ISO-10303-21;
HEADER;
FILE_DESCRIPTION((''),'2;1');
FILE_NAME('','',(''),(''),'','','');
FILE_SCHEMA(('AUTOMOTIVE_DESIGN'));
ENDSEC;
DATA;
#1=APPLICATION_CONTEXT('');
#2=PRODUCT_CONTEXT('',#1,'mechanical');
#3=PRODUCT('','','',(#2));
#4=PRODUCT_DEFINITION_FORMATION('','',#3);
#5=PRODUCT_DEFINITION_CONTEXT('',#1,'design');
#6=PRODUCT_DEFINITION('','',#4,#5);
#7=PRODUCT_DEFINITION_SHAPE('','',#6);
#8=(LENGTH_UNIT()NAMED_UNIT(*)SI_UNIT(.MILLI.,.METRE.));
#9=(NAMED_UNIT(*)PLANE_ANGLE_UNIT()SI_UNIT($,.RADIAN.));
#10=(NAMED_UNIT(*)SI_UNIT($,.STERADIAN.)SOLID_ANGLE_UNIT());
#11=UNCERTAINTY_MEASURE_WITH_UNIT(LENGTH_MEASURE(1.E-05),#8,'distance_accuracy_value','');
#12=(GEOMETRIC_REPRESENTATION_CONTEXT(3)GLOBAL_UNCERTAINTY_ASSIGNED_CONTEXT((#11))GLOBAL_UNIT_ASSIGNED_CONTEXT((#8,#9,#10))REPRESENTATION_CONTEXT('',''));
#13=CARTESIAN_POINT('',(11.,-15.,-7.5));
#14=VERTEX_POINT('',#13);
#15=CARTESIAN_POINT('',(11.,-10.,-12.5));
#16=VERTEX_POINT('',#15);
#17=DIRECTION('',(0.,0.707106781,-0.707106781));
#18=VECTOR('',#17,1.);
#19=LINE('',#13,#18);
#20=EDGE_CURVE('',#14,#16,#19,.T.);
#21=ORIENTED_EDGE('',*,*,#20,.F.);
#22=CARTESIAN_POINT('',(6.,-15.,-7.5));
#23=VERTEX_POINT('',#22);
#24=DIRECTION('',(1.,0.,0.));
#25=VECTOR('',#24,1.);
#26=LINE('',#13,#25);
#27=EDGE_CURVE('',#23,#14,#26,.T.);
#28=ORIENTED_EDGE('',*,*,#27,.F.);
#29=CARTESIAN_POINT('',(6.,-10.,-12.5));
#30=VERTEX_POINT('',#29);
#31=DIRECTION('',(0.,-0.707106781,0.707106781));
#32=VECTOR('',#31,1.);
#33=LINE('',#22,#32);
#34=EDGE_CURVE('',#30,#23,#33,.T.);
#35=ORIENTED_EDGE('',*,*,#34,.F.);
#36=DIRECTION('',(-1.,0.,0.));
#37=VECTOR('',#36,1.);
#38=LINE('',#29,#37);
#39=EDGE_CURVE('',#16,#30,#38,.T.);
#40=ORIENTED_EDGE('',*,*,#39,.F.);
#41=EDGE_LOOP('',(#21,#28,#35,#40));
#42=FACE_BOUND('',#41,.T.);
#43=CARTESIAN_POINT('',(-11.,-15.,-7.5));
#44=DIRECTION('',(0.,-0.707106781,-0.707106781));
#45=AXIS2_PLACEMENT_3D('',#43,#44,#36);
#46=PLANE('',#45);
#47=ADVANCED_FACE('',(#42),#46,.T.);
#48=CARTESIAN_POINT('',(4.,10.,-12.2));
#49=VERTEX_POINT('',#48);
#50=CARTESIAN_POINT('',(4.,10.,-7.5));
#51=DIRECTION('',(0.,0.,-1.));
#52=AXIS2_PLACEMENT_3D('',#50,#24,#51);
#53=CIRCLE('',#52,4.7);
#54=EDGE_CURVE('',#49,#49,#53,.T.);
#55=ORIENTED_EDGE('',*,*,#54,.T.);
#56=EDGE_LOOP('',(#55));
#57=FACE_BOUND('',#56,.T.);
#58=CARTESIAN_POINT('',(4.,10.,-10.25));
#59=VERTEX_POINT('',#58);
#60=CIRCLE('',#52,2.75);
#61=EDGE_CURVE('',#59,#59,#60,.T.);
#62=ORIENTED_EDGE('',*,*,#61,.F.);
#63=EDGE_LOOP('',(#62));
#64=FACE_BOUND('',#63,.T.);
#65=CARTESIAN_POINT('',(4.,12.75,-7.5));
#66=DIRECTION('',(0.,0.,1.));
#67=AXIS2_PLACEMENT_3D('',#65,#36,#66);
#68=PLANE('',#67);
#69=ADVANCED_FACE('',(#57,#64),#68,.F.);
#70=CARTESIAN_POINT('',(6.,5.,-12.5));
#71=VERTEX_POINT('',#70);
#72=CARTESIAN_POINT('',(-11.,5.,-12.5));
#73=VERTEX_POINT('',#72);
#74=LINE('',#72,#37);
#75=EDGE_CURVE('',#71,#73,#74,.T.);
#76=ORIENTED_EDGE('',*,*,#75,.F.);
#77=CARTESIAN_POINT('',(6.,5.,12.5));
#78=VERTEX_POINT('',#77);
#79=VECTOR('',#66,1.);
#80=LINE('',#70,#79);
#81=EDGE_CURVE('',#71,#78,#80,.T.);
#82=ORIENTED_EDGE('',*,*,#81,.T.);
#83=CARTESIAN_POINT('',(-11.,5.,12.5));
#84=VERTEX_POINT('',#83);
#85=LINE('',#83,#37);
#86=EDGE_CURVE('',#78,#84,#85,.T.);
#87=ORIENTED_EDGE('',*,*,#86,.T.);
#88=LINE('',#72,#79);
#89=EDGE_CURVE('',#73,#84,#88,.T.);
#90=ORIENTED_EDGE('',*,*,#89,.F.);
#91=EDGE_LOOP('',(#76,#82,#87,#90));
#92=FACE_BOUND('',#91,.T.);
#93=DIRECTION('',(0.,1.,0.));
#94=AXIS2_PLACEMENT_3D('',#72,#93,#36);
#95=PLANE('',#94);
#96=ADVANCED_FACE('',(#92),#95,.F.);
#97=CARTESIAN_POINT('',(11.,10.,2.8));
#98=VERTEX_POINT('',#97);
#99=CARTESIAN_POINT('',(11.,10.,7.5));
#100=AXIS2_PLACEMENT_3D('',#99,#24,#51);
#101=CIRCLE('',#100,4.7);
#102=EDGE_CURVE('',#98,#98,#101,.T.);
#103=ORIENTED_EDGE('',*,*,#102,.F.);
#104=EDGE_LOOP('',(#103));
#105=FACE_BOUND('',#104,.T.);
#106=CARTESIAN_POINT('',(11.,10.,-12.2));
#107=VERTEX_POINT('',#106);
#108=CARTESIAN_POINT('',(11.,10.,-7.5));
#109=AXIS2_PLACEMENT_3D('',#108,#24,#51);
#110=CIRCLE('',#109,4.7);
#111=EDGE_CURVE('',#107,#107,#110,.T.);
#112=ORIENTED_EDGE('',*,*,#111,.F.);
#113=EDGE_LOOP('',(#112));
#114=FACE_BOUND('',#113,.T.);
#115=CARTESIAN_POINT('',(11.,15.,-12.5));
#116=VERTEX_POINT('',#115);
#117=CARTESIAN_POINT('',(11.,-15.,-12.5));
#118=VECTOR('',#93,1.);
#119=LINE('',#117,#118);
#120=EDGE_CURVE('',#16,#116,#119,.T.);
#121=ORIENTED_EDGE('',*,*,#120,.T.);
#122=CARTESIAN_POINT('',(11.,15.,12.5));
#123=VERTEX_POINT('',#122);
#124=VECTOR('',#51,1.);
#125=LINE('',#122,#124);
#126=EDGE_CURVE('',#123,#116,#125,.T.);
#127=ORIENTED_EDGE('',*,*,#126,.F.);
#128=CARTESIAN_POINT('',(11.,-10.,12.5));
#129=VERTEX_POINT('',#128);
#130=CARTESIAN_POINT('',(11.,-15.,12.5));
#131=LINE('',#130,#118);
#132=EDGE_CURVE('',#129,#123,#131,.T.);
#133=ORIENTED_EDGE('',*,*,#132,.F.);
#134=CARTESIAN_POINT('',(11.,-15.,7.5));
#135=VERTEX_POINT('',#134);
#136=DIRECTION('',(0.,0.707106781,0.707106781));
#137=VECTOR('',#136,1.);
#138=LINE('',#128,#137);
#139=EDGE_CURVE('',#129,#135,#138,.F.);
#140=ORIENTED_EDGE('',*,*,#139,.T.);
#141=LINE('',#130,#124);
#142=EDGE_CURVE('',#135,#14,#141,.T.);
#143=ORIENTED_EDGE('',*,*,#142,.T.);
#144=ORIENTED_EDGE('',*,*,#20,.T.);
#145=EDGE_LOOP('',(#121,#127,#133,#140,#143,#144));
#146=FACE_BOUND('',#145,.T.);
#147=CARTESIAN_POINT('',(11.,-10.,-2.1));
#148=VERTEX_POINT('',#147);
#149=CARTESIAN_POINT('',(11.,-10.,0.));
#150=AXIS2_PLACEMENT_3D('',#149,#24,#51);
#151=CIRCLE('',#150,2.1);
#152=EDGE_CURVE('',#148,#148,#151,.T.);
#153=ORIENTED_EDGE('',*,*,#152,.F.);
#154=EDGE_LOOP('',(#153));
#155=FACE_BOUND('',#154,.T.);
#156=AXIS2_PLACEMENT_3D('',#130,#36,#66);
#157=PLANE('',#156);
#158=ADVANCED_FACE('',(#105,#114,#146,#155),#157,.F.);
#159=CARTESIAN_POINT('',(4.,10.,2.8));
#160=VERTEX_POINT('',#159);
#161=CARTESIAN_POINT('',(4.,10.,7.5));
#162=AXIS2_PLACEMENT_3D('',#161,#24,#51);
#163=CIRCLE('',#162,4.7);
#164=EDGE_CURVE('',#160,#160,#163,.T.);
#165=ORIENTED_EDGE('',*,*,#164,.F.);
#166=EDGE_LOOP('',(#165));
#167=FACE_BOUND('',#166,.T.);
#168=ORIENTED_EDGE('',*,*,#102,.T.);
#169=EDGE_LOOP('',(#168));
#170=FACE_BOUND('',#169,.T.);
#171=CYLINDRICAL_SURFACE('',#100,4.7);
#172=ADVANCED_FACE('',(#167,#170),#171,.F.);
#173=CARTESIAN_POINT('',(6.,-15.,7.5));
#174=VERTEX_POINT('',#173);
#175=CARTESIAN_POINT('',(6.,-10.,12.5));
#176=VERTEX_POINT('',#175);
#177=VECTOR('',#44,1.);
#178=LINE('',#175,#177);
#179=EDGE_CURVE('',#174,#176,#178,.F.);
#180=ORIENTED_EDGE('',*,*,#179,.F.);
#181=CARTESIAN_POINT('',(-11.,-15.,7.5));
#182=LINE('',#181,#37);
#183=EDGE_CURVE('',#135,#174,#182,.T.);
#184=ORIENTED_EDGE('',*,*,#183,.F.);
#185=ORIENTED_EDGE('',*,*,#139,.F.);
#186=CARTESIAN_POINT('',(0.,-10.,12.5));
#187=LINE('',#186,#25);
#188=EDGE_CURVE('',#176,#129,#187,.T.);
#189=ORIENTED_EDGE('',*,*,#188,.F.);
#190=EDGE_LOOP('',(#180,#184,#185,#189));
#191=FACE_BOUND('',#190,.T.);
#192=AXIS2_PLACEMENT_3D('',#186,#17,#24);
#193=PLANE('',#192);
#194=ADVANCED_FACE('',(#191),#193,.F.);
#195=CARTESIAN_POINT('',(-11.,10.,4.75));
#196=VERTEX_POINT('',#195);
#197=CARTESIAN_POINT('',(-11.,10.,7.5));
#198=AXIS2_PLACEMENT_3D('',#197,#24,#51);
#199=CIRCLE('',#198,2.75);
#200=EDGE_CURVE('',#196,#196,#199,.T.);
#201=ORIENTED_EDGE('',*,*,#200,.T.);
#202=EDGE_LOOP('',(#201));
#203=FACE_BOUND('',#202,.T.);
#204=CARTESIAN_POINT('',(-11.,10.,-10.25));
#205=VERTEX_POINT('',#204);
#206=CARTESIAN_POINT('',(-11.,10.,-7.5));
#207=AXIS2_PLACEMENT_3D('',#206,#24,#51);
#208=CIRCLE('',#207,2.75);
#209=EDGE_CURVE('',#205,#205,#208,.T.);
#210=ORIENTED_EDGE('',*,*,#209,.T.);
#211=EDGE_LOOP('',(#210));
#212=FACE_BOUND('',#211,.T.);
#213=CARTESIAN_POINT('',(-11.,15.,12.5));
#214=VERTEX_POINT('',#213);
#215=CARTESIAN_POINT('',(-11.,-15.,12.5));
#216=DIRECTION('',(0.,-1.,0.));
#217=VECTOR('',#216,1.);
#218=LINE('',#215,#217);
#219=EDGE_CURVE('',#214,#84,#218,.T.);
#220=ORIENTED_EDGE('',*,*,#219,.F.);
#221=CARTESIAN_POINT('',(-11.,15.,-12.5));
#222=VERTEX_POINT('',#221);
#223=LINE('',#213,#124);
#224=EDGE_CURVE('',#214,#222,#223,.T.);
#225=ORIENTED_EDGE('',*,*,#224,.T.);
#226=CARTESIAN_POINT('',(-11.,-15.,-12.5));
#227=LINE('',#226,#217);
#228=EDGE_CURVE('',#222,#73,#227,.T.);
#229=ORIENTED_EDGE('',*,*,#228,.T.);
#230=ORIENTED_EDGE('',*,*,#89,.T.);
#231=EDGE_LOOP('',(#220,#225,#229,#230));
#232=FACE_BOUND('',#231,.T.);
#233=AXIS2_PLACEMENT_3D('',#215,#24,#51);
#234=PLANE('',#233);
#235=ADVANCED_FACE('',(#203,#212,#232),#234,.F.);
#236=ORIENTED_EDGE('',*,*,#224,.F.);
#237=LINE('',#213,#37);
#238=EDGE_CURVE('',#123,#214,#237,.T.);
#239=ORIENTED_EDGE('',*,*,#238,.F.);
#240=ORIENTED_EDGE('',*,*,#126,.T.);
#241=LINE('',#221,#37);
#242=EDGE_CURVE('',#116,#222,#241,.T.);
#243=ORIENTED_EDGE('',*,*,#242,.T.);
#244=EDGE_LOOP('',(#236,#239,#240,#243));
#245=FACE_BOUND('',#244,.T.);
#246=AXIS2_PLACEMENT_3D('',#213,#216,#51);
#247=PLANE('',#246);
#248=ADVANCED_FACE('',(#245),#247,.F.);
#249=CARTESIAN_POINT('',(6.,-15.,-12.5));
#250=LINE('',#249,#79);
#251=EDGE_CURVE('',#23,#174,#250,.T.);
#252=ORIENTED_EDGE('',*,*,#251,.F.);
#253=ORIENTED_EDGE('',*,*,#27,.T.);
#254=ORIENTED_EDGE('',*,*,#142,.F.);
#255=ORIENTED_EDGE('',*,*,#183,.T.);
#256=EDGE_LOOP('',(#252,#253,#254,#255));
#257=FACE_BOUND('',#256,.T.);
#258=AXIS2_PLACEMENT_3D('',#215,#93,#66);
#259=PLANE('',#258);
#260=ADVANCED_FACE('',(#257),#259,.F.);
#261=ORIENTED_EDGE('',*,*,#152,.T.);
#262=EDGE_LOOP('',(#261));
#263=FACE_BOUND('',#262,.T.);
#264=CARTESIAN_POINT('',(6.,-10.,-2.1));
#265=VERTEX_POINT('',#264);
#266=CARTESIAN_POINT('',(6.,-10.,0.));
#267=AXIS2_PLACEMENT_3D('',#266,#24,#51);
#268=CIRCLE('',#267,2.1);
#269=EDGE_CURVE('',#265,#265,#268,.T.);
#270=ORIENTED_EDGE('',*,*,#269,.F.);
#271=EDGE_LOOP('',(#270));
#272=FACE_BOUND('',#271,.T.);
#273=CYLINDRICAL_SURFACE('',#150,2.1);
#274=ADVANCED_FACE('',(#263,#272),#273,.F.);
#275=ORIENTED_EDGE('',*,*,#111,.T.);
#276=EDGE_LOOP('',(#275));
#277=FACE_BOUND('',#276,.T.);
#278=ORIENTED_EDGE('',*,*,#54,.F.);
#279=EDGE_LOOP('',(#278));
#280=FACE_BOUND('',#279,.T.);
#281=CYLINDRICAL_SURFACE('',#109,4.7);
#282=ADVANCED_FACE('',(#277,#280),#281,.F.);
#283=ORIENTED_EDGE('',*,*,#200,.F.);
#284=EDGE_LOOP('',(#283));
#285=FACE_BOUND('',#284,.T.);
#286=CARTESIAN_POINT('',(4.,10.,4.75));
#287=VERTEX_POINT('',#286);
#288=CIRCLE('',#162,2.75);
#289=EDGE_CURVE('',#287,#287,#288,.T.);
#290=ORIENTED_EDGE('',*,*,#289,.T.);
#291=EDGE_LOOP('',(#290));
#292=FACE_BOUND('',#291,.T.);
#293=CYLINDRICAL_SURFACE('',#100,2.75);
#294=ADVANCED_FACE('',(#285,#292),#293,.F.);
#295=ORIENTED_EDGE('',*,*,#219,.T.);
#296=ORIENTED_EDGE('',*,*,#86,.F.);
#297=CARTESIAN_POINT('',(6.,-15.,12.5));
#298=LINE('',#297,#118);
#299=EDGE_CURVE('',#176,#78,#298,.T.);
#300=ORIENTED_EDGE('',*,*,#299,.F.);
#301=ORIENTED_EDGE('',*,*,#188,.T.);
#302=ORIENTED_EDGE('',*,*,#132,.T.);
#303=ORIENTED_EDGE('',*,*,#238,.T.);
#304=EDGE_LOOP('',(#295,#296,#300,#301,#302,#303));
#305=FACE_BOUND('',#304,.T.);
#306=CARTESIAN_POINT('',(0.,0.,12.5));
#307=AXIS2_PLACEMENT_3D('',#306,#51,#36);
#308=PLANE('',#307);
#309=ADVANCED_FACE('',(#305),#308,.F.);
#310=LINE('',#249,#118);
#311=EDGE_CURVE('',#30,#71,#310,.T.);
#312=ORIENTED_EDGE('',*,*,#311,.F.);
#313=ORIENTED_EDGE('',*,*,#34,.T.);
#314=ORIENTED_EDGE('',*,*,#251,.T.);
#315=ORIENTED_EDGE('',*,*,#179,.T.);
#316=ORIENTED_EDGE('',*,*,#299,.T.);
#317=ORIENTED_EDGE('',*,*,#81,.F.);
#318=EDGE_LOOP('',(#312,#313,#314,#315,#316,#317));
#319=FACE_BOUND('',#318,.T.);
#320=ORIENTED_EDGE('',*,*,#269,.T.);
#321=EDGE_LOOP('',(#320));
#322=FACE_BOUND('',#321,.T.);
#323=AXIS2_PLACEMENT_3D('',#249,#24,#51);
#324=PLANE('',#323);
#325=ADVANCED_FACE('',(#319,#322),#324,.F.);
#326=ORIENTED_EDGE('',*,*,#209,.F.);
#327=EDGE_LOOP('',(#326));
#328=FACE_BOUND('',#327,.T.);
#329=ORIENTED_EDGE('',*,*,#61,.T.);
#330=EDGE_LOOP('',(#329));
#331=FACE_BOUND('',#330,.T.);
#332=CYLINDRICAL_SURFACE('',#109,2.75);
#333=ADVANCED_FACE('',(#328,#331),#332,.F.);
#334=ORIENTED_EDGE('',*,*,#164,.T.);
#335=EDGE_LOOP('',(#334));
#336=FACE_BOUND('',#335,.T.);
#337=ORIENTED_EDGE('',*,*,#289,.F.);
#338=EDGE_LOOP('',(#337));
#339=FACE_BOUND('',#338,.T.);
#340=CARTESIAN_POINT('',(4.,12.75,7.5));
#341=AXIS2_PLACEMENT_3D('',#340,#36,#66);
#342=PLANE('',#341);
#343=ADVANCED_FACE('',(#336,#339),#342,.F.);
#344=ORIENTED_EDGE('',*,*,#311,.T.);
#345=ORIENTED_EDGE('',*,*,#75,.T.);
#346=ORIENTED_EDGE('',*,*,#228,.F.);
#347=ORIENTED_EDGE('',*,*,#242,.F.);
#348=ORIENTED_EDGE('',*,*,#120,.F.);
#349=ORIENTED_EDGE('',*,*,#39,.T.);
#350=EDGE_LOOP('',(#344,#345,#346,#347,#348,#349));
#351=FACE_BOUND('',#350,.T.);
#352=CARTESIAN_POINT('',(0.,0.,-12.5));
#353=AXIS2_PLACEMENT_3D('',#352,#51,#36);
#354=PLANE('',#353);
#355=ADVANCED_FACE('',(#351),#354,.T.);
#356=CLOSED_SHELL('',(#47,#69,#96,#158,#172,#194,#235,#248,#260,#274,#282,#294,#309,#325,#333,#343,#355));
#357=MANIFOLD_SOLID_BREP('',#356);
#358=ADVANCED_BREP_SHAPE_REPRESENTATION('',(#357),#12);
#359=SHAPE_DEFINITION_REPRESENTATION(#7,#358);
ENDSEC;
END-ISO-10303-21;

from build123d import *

# Parameters (mm, degrees)
SKETCH_2_W                = 22
SKETCH_2_H                = 30
EXTRUDE_1_DEPTH           = 12.5
SKETCH_3_W                = 17
SKETCH_3_H                = 20
CUT_EXTRUDE_1_DEPTH       = 32.160872902
HOLE_WIZARD_1_D           = 5.5
HOLE_WIZARD_1_CBORE_D     = 9.4
HOLE_WIZARD_1_CBORE_DEPTH = 7
HOLE_WIZARD_M5_1_D        = 4.2
CHAMFER_1_SIZE            = 5


with BuildPart() as part:
    # 草图2 → 凸台-拉伸1 (new, symmetric)
    with BuildSketch(Plane.XY):
        Rectangle(SKETCH_2_W, SKETCH_2_H)
    extrude(amount=EXTRUDE_1_DEPTH, both=True)

    # 草图3 → 切除-拉伸1 (cut, through all)
    with BuildSketch(Plane.XY.offset(12.5)):
        with Locations((-2.5, -5)):
            Rectangle(SKETCH_3_W, SKETCH_3_H)
    extrude(amount=-CUT_EXTRUDE_1_DEPTH, mode=Mode.SUBTRACT)

    # 打孔尺寸根据内六角圆柱头螺钉的类型1 (through all)
    with Locations(Plane(origin=(11, 0, 0), x_dir=(0, 0, -1), z_dir=(1, 0, 0))):
        with Locations((7.5, 10), (-7.5, 10)):
            CounterBoreHole(HOLE_WIZARD_1_D / 2, HOLE_WIZARD_1_CBORE_D / 2, HOLE_WIZARD_1_CBORE_DEPTH)

    # M5 螺纹孔1 (through all)
    with Locations(Plane(origin=(11, 0, 0), x_dir=(0, 0, -1), z_dir=(1, 0, 0))):
        with Locations((0, -10)):
            Hole(HOLE_WIZARD_M5_1_D / 2)

    # 倒角1
    chamfer_1_edges = [part.edges().sort_by_distance(p)[0] for p in [
        (8.5, -15, -12.5),
        (8.5, -15, 12.5),
    ]]
    chamfer(chamfer_1_edges, length=CHAMFER_1_SIZE)


solid = part.part
